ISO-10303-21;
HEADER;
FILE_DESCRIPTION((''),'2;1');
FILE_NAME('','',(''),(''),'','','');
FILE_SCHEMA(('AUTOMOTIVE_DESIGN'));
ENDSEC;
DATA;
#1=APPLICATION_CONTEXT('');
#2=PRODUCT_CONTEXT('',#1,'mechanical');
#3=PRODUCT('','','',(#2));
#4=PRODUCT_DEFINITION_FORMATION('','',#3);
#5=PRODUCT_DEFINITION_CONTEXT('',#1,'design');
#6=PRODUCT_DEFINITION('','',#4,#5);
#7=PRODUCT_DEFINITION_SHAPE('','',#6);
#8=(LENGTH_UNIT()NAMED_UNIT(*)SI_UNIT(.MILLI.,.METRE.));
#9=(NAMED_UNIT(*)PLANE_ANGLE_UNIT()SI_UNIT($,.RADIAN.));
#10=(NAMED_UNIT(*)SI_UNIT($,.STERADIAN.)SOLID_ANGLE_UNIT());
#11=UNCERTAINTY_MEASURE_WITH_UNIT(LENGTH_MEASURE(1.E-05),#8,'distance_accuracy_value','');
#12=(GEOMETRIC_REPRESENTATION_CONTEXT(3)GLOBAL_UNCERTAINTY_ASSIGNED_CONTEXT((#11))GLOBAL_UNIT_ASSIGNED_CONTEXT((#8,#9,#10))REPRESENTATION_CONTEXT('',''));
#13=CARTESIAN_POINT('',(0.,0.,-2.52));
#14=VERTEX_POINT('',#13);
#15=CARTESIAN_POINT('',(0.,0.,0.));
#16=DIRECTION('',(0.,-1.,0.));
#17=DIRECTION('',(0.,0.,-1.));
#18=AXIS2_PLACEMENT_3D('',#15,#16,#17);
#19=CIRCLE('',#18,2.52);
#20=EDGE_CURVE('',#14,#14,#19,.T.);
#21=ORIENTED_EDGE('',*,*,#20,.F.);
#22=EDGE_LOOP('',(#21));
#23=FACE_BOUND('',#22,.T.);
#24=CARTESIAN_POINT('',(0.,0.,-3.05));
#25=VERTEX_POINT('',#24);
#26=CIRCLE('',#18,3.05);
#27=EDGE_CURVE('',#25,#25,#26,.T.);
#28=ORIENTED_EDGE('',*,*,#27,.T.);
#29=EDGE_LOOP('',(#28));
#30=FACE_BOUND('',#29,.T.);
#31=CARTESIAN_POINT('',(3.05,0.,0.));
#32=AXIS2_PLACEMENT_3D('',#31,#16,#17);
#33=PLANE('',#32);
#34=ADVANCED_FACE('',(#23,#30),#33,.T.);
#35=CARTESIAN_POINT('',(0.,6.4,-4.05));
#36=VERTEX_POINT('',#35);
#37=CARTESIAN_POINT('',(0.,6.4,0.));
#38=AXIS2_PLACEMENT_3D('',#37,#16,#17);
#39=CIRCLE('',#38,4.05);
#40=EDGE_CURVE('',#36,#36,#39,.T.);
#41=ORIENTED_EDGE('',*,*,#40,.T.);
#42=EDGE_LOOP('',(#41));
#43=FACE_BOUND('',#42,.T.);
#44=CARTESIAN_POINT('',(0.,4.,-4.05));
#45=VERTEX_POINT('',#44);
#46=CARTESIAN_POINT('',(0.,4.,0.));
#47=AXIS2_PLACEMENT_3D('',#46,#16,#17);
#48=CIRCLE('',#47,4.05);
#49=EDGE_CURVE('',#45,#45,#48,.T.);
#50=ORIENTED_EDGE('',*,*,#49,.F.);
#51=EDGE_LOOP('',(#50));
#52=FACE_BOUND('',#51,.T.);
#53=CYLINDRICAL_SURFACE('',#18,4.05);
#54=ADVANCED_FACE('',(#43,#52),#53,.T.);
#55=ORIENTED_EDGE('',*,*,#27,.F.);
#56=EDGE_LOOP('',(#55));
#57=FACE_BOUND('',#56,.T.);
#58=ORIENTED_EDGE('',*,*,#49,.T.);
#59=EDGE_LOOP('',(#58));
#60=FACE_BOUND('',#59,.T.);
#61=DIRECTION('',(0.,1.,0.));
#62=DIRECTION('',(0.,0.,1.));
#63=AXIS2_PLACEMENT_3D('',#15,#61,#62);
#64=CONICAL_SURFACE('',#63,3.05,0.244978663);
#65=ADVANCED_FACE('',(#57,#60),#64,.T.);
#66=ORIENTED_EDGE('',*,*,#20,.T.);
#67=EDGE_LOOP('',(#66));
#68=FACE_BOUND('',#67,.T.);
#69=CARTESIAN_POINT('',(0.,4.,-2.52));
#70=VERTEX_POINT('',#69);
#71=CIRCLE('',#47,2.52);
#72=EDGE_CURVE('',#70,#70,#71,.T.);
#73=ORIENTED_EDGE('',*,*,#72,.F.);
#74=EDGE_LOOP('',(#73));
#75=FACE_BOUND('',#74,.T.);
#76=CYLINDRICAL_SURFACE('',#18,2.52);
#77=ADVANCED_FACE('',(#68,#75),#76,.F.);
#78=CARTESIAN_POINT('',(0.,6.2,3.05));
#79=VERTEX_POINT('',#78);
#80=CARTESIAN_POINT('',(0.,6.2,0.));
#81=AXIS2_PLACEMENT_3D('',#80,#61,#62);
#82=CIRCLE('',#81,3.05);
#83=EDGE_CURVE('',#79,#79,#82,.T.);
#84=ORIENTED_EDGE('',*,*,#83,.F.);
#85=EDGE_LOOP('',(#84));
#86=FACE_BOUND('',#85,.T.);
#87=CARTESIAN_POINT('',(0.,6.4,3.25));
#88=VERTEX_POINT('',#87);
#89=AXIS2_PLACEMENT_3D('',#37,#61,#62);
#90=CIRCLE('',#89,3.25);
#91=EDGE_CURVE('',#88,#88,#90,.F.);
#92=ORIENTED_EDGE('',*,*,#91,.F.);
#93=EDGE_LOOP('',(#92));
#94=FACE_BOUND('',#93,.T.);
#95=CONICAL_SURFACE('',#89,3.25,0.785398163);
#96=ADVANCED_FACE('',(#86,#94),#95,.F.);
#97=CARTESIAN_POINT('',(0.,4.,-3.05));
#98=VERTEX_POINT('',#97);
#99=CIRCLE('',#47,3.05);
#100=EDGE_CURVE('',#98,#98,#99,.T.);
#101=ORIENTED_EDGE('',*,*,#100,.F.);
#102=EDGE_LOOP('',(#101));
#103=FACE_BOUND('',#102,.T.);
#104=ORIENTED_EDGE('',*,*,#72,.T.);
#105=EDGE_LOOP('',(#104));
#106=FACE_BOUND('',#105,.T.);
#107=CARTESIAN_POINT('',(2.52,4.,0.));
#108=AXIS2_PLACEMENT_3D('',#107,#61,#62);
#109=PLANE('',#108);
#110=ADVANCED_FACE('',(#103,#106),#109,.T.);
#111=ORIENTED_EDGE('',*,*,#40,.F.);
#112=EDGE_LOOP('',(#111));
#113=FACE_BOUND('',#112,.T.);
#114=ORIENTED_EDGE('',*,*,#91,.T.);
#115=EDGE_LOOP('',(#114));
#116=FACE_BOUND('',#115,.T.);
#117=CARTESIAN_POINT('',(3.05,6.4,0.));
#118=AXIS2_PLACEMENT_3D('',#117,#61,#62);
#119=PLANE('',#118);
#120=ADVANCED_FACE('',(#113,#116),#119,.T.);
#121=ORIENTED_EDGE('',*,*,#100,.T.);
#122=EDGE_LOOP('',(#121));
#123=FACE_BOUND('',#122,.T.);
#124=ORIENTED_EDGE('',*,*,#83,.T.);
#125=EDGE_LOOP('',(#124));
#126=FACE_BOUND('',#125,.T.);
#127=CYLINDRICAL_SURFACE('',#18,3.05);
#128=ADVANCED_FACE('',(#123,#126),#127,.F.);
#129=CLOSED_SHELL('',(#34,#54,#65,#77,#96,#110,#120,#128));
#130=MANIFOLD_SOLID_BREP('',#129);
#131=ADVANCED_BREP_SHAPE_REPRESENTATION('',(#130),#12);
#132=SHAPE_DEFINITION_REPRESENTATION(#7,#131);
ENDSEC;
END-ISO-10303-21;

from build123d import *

# Parameters (mm, degrees)
CHAMFER1_SIZE = 0.2


with BuildPart() as part:
    # Sketch1 → Revolve1 (revolve)
    with BuildSketch(Plane.XY, mode=Mode.PRIVATE) as revolve1_sk:
        Polygon((2.52, 0), (2.52, 4), (3.05, 4), (3.05, 6.4), (4.05, 6.4), (4.05, 4), (3.05, 0), align=None)
    revolve(revolve1_sk.sketch.rotate(Axis((0, 0, 0), (0, 1, 0)), 90), axis=Axis((0, 0, 0), (0, 1, 0)))

    # Chamfer1
    chamfer1_edges = [part.edges().sort_by_distance(p)[0] for p in [
        (0, 6.4, 3.05),
    ]]
    chamfer(chamfer1_edges, length=CHAMFER1_SIZE)


solid = part.part
